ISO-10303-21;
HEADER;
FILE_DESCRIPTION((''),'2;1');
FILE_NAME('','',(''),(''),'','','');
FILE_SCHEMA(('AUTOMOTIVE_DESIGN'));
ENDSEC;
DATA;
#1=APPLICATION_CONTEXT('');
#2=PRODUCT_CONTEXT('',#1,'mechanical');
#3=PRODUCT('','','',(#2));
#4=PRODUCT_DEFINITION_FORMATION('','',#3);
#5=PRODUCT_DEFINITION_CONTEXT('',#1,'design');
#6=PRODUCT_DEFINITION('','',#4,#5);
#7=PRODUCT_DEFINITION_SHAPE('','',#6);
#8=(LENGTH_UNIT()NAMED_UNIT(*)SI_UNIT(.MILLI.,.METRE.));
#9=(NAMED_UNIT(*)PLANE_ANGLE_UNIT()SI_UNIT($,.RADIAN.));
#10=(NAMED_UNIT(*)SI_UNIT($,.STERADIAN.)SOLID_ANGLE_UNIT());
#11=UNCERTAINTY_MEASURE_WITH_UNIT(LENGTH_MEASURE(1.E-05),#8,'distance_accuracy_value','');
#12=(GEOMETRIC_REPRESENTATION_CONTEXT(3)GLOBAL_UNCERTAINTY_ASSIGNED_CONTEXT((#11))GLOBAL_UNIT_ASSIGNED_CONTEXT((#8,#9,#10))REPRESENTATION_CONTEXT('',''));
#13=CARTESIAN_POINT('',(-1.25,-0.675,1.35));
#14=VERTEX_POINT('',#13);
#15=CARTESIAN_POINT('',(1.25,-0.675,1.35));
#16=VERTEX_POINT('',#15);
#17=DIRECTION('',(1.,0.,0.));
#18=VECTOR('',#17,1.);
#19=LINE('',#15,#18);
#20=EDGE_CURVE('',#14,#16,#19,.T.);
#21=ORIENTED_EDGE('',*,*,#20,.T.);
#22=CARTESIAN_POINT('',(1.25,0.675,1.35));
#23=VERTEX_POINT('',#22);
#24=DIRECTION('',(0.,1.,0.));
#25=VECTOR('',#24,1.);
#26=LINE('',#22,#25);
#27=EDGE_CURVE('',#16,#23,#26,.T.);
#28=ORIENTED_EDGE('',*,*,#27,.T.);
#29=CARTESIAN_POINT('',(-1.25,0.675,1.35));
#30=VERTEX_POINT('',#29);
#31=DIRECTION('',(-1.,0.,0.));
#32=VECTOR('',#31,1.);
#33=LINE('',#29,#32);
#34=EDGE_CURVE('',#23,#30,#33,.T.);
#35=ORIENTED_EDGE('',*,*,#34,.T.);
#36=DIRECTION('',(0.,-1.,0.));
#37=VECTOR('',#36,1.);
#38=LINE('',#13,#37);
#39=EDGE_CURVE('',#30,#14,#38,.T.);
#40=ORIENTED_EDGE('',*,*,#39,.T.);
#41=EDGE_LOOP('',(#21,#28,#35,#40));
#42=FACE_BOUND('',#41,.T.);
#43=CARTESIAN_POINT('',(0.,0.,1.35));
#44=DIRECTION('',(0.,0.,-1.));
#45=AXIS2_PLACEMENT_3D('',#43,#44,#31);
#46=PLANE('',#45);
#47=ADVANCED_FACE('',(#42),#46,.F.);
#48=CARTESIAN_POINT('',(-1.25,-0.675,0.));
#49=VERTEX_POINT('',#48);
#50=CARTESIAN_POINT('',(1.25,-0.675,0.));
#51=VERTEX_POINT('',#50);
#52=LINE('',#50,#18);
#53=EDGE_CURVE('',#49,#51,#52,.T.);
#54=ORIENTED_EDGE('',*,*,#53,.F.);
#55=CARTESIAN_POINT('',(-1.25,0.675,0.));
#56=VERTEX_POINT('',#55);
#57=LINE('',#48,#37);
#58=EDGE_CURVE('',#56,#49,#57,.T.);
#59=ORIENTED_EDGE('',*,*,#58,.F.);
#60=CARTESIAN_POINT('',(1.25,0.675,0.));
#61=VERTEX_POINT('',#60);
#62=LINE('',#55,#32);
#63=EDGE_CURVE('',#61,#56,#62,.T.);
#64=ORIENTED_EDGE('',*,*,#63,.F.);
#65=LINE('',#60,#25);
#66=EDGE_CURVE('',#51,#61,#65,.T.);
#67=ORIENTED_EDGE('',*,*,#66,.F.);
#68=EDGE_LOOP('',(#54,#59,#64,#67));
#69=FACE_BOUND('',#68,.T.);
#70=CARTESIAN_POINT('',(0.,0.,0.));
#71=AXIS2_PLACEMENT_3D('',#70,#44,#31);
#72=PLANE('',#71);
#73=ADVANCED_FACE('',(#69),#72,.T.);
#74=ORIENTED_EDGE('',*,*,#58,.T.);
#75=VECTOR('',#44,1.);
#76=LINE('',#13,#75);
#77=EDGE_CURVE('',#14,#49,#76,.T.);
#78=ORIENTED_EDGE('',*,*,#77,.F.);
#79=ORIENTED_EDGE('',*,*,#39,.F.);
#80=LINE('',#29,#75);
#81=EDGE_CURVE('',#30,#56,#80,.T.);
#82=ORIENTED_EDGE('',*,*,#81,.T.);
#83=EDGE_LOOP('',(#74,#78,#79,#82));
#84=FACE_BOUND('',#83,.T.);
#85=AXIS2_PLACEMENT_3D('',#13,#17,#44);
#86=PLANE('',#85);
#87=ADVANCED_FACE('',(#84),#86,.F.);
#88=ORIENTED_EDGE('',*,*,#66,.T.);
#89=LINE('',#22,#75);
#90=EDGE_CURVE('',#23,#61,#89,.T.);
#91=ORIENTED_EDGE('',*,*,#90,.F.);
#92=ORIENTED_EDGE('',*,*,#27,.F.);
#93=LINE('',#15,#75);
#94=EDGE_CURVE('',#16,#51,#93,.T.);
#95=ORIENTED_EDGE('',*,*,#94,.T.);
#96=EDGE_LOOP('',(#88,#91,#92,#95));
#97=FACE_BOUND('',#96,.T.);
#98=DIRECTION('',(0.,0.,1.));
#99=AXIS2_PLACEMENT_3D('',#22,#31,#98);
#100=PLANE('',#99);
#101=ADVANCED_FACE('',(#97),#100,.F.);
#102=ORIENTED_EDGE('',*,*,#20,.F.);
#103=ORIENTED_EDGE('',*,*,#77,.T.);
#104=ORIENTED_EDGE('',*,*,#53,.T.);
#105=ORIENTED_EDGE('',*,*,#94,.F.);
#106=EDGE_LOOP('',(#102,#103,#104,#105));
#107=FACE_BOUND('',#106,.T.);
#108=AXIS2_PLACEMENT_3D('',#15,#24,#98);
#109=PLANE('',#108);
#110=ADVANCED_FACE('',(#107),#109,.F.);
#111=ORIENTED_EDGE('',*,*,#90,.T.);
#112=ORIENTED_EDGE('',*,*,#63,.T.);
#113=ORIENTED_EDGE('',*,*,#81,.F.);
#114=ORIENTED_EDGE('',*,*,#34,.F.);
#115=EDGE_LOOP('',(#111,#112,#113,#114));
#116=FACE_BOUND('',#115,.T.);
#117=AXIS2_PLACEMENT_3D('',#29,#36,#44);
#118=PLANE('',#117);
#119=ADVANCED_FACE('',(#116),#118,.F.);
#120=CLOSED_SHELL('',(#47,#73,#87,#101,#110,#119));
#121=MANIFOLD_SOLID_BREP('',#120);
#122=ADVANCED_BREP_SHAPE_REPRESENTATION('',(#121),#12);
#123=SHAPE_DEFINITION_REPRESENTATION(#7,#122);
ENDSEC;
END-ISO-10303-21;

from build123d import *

# Parameters (mm, degrees)
SKETCH_1_W              = 2.5
SKETCH_1_H              = 1.35
COMPONENT_OUTLINE_DEPTH = 1.35


with BuildPart() as part:
    # 草图1 → Component_Outline (new body)
    with BuildSketch(Plane.XY):
        Rectangle(SKETCH_1_W, SKETCH_1_H)
    extrude(amount=COMPONENT_OUTLINE_DEPTH)


solid = part.part
